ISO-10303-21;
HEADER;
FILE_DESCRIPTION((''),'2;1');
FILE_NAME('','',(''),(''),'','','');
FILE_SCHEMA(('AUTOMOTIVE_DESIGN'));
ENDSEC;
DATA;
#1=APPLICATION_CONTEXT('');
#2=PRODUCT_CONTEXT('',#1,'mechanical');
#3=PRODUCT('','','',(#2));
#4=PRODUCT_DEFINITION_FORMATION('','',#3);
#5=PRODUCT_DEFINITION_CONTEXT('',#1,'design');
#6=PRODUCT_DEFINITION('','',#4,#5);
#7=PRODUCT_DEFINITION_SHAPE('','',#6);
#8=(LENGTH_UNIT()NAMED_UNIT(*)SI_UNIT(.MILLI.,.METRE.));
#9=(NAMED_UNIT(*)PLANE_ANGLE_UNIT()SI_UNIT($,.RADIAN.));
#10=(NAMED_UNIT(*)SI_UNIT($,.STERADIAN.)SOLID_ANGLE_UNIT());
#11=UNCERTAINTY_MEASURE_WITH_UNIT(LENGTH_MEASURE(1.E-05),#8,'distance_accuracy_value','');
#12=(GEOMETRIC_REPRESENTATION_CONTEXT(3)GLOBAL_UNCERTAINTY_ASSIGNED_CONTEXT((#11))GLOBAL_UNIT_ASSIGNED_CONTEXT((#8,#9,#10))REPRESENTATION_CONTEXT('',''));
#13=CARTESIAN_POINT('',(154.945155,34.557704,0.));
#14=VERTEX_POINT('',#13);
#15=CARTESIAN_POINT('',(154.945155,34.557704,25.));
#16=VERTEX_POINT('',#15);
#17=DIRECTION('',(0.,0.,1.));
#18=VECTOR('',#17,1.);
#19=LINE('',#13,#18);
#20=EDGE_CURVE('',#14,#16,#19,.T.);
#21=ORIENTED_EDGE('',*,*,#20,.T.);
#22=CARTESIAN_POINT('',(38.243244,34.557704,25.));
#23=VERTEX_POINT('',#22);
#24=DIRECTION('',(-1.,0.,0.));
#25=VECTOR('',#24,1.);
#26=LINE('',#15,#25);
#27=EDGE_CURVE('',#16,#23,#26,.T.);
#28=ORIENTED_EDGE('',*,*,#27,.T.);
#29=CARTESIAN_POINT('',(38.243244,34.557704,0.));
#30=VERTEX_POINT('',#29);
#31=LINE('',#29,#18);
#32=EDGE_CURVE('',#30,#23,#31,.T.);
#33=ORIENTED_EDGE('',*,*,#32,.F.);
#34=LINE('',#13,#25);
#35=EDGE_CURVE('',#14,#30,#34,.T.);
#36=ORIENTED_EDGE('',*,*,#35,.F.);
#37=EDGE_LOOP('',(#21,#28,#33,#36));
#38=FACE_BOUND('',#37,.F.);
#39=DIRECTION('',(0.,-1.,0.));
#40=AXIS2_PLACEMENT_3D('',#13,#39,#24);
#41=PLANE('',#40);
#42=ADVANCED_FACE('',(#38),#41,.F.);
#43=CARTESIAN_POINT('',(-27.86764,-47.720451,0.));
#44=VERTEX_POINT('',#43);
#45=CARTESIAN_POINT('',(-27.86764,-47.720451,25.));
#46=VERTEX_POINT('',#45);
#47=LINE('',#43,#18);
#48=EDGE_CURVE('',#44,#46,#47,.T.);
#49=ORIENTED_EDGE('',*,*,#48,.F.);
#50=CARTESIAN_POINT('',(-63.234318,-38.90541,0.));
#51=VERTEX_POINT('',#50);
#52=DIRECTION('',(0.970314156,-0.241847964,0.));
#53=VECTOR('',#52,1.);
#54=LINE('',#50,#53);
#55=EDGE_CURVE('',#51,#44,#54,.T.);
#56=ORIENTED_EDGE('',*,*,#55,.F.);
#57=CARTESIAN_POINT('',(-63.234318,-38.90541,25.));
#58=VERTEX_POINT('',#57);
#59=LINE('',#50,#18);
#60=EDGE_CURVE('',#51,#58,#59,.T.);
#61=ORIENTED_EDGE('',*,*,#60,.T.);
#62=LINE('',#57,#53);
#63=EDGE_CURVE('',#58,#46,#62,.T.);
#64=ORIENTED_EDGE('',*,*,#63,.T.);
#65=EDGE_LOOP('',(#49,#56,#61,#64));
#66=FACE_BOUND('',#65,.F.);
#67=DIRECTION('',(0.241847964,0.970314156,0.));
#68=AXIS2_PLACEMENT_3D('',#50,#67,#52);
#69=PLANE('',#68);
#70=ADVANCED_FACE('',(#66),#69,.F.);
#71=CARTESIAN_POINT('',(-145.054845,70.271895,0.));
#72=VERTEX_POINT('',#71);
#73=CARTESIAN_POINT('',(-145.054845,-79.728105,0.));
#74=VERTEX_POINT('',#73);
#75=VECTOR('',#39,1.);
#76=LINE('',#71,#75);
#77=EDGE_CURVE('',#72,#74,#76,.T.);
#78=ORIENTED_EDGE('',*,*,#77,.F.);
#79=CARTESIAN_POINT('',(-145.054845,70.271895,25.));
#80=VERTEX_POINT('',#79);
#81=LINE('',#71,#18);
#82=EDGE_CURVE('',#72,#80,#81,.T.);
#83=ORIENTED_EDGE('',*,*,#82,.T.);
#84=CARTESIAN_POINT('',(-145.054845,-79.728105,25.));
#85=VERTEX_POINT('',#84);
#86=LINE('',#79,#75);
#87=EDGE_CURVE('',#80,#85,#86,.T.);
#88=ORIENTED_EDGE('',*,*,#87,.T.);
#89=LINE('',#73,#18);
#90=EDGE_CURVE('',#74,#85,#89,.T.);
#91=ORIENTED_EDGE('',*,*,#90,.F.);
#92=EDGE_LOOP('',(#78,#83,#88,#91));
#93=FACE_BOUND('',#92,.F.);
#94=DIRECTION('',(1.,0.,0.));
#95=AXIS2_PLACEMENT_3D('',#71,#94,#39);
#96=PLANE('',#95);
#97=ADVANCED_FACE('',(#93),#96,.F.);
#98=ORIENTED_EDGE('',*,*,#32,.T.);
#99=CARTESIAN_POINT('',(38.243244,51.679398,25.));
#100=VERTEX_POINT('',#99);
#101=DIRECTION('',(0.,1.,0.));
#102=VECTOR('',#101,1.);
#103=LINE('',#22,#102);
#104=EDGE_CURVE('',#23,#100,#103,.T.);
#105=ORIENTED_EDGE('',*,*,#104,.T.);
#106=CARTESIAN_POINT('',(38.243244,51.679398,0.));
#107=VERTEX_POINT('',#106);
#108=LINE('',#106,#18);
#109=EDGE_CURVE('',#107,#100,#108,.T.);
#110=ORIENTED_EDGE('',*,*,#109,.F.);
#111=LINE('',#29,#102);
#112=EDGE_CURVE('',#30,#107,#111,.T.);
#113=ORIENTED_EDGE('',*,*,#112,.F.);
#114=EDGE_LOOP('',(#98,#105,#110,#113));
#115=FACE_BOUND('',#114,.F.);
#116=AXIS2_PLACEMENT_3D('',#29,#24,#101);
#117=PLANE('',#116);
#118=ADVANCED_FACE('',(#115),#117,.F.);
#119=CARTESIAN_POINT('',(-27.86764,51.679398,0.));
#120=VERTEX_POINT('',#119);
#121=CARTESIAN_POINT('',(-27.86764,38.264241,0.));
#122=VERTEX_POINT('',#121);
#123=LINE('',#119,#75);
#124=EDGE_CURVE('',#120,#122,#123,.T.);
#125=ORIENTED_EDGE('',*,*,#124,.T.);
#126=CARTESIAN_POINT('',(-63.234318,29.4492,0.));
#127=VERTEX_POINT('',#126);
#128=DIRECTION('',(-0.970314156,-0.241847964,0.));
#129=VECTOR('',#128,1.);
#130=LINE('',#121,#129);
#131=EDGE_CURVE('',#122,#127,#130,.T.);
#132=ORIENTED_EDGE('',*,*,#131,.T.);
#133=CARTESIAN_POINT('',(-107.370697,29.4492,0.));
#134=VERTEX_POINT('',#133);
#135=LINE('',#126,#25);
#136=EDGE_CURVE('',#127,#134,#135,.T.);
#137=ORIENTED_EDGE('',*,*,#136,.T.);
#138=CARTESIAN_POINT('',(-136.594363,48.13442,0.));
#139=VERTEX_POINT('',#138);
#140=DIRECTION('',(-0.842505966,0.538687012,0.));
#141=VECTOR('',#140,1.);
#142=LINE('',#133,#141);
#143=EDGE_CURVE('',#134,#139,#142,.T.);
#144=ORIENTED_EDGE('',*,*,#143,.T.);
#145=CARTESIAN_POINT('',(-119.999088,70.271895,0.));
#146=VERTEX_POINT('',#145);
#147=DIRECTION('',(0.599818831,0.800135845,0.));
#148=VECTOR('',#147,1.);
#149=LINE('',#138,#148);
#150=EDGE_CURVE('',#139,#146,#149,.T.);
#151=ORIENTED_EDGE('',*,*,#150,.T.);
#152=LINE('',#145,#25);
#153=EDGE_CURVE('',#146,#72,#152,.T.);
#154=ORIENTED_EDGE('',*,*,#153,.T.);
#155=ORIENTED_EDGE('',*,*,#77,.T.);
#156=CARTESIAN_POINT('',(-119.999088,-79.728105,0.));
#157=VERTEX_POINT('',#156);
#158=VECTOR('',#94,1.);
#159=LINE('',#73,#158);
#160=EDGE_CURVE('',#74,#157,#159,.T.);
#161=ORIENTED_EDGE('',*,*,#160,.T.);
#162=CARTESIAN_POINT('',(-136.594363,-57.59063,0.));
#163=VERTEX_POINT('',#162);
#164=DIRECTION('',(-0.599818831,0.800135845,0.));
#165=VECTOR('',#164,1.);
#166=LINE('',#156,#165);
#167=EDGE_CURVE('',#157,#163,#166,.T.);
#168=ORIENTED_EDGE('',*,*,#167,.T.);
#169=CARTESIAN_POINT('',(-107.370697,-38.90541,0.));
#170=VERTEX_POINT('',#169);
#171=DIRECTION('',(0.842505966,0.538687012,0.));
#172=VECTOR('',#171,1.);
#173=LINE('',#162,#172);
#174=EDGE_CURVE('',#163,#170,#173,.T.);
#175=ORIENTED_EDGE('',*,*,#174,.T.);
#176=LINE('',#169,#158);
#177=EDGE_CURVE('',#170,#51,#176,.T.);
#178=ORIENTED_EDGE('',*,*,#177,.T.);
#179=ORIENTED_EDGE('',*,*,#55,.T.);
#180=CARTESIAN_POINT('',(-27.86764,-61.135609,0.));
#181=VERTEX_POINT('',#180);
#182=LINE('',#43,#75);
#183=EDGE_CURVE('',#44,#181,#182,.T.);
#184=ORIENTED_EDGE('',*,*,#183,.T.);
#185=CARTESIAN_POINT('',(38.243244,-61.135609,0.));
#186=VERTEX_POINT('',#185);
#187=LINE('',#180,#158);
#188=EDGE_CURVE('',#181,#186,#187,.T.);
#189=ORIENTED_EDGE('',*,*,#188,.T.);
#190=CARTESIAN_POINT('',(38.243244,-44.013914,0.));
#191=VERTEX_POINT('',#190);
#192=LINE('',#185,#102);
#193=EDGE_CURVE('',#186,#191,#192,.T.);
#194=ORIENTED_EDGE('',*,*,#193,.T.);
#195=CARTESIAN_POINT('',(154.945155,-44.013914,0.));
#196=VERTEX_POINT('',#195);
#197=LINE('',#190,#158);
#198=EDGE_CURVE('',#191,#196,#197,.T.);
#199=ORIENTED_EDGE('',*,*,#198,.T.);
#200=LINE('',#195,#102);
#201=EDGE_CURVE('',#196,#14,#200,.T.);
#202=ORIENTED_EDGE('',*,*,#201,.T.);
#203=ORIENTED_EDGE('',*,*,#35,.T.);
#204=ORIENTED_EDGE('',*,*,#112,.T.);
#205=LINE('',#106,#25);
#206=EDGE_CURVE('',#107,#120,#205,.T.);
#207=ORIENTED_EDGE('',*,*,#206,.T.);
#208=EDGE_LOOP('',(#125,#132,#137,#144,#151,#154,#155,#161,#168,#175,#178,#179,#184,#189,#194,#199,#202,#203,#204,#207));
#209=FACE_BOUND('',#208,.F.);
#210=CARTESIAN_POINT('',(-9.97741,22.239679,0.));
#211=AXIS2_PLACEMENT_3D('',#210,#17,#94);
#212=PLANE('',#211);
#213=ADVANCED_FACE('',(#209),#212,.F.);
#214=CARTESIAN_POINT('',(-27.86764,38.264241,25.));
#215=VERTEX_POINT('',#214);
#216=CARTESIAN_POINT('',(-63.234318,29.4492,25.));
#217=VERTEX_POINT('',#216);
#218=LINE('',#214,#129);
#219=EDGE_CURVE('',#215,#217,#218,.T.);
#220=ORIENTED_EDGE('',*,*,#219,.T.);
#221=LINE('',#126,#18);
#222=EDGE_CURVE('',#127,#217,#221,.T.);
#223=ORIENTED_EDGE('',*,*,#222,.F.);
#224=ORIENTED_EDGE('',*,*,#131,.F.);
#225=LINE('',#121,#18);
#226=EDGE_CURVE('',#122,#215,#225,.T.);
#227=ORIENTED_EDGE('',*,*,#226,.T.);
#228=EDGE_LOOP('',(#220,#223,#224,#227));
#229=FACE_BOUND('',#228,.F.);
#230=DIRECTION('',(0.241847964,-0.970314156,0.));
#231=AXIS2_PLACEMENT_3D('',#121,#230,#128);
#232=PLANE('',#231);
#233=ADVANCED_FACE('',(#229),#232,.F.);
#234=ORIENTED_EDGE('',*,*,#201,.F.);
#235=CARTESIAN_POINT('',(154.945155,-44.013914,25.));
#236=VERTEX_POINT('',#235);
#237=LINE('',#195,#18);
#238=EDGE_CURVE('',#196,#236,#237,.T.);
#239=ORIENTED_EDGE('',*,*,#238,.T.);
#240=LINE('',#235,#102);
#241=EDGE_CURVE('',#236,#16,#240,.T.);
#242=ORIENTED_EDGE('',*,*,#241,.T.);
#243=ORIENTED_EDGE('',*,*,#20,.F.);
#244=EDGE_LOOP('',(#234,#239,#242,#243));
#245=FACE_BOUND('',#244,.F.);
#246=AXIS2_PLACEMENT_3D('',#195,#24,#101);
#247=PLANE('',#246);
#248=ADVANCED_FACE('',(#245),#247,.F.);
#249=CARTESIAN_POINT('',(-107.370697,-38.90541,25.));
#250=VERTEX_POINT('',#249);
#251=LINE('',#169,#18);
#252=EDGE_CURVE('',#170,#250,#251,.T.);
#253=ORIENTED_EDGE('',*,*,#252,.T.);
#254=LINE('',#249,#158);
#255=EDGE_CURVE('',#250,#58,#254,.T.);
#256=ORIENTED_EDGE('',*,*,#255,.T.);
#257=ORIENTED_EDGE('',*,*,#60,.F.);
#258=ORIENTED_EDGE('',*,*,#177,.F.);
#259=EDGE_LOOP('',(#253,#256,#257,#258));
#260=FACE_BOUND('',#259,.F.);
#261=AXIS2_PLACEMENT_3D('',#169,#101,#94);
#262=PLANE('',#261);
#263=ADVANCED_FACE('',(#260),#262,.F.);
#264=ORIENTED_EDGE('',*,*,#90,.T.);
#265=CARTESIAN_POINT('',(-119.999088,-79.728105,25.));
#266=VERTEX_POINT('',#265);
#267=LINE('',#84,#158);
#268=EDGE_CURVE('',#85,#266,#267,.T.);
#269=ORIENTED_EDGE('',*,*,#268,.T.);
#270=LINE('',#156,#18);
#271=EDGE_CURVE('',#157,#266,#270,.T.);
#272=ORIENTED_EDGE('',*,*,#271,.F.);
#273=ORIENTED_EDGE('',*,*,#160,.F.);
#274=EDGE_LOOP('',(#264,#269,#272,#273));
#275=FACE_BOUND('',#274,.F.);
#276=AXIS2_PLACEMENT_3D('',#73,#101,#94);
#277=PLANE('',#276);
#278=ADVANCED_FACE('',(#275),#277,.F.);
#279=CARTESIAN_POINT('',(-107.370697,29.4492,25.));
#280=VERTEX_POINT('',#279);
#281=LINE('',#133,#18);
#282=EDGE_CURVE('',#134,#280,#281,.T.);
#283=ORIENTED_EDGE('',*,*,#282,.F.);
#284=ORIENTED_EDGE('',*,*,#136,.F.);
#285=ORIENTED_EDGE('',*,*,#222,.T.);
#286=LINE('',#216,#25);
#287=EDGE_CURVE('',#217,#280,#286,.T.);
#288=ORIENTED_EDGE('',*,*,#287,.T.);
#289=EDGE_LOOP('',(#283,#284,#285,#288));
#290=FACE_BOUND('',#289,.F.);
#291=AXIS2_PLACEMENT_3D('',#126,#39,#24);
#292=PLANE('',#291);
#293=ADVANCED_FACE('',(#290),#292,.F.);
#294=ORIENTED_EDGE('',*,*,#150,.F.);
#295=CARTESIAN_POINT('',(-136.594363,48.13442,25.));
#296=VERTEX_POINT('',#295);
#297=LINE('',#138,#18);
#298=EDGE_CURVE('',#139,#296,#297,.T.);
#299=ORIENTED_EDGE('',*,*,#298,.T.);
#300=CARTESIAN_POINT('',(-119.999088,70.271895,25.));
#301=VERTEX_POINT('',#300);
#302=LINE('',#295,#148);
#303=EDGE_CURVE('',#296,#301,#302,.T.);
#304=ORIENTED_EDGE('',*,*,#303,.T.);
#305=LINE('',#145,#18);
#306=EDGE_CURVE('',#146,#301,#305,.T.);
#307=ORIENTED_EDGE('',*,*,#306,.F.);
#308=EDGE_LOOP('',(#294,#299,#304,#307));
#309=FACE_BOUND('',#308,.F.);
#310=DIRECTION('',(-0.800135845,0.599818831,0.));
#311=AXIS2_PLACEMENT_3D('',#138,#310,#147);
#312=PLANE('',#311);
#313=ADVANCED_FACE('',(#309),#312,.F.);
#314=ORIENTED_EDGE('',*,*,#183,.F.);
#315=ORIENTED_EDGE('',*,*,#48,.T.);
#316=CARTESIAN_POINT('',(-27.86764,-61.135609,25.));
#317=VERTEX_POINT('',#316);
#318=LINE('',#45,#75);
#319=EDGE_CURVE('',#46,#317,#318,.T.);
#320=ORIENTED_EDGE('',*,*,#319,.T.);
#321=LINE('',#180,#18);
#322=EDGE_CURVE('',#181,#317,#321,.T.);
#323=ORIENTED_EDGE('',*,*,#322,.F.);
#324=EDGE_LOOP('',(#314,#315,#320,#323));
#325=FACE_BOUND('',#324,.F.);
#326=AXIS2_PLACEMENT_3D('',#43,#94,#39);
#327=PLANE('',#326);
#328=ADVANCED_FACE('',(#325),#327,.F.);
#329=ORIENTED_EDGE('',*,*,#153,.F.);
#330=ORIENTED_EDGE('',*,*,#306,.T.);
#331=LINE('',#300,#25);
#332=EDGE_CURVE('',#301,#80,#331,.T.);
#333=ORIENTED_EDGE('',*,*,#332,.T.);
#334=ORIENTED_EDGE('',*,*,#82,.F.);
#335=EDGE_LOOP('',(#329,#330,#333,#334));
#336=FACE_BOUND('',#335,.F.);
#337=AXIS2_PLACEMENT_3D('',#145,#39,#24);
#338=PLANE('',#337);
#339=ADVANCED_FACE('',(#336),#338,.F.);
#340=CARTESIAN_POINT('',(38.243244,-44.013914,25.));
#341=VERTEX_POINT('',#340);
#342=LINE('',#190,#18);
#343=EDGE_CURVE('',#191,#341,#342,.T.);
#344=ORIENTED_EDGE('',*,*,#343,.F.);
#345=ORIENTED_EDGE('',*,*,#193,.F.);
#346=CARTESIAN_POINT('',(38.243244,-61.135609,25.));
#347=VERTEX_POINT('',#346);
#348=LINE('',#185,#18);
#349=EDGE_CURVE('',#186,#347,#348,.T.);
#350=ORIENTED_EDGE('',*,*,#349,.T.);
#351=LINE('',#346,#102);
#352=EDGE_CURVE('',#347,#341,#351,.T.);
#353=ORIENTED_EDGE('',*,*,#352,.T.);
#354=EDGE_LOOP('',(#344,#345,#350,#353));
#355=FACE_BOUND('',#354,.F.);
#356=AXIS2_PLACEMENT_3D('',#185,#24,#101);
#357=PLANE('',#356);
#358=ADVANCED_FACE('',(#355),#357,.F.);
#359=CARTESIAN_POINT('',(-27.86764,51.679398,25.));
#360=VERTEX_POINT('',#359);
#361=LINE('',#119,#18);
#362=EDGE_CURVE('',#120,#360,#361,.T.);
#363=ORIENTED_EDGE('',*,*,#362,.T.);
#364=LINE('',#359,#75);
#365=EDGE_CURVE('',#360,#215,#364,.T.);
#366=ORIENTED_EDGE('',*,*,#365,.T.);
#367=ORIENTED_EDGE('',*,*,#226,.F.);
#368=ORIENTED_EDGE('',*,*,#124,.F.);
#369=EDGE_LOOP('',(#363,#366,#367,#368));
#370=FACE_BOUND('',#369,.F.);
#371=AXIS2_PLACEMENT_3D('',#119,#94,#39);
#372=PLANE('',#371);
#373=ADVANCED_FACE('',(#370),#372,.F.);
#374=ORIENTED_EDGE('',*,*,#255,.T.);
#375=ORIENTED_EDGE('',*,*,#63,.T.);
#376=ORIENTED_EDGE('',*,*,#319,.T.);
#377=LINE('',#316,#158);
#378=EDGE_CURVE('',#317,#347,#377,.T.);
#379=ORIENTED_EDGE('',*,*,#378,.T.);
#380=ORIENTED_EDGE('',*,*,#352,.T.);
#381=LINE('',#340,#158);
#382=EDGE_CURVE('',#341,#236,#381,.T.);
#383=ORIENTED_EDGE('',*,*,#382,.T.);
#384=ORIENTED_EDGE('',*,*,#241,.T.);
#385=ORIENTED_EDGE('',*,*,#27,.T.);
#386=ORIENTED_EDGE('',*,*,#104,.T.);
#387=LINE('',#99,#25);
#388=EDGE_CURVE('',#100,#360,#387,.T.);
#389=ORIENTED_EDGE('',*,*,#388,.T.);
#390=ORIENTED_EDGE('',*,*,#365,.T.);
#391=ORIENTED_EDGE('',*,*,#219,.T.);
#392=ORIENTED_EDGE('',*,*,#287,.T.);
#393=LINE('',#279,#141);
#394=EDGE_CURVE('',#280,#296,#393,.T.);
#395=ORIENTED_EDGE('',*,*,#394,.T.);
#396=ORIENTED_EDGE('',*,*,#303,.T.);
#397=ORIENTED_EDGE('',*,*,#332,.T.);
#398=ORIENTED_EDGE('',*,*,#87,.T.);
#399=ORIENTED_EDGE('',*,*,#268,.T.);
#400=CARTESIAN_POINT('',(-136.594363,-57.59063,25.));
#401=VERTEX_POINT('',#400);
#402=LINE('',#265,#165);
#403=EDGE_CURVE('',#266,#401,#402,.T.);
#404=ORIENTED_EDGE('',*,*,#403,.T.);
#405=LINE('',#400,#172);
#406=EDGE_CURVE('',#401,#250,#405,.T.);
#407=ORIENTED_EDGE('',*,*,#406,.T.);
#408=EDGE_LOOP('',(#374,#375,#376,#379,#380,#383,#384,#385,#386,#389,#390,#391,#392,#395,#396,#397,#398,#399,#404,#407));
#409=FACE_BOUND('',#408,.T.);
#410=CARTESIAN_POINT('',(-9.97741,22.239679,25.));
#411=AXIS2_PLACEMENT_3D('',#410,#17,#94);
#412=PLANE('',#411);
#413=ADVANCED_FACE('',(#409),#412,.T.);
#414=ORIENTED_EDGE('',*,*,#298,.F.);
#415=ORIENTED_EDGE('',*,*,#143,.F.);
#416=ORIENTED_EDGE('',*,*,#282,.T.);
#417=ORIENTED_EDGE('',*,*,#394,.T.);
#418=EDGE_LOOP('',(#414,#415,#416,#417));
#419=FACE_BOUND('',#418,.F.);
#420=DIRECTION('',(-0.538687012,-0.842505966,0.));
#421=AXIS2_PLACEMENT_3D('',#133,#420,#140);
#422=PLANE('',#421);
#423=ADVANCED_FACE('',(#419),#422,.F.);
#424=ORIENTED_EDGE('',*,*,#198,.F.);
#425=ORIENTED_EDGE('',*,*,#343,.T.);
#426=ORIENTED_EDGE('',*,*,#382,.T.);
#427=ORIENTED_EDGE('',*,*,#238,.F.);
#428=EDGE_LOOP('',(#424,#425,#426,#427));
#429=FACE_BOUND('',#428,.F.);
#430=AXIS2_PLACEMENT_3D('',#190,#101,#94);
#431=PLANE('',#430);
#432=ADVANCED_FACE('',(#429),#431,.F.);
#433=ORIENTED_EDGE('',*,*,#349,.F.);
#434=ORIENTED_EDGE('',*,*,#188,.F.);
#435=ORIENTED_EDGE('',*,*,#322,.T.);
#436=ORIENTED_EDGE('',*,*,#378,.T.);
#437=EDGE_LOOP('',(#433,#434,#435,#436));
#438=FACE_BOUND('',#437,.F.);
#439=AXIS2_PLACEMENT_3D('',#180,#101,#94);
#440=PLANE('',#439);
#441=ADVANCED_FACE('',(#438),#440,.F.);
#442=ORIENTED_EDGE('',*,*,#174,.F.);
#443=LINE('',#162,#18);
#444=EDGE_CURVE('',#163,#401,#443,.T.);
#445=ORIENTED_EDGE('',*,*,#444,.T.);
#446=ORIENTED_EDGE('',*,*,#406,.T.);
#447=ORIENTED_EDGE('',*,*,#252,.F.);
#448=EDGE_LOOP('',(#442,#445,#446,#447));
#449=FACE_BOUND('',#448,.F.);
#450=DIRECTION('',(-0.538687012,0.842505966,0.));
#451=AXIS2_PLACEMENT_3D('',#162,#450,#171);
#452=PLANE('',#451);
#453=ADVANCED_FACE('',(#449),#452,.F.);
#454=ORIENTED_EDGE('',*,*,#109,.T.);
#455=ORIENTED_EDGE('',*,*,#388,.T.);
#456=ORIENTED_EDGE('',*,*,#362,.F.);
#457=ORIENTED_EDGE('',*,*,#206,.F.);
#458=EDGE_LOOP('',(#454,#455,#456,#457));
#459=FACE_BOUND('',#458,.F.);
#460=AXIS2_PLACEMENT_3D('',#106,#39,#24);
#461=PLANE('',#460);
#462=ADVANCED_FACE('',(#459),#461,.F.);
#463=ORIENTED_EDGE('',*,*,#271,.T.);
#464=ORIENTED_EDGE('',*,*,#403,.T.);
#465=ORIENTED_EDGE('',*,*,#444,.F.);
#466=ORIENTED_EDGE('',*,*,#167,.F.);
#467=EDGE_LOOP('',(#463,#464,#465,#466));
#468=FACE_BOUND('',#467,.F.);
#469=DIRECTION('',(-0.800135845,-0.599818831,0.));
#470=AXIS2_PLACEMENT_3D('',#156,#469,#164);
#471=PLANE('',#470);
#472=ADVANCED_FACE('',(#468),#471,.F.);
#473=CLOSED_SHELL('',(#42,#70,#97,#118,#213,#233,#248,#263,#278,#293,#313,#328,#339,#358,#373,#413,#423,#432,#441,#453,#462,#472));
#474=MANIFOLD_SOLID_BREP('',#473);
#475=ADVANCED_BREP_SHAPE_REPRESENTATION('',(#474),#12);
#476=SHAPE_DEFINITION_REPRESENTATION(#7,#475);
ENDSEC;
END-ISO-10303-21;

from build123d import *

# Parameters (mm, degrees)
F1_DEPTH = 25


with BuildPart() as f1:
    # F0 (on Top) → F1 (new body)
    with BuildSketch(Plane.XY):
        Polygon((-119.999088, 70.271895), (-145.054845, 70.271895), (-145.054845, -4.728105), (154.945155, -4.728105), (154.945155, 34.557704), (38.243244, 34.557704), (38.243244, 51.679398), (-27.86764, 51.679398), (-27.86764, 38.264241), (-63.234318, 29.4492), (-107.370697, 29.4492), (-136.594363, 48.13442), align=None)
        Polygon((154.945155, -4.728105), (-145.054845, -4.728105), (-145.054845, -79.728105), (-119.999088, -79.728105), (-136.594363, -57.59063), (-107.370697, -38.90541), (-63.234318, -38.90541), (-27.86764, -47.720451), (-27.86764, -61.135609), (38.243244, -61.135609), (38.243244, -44.013914), (154.945155, -44.013914), align=None)
    extrude(amount=F1_DEPTH)


solid = f1.part
